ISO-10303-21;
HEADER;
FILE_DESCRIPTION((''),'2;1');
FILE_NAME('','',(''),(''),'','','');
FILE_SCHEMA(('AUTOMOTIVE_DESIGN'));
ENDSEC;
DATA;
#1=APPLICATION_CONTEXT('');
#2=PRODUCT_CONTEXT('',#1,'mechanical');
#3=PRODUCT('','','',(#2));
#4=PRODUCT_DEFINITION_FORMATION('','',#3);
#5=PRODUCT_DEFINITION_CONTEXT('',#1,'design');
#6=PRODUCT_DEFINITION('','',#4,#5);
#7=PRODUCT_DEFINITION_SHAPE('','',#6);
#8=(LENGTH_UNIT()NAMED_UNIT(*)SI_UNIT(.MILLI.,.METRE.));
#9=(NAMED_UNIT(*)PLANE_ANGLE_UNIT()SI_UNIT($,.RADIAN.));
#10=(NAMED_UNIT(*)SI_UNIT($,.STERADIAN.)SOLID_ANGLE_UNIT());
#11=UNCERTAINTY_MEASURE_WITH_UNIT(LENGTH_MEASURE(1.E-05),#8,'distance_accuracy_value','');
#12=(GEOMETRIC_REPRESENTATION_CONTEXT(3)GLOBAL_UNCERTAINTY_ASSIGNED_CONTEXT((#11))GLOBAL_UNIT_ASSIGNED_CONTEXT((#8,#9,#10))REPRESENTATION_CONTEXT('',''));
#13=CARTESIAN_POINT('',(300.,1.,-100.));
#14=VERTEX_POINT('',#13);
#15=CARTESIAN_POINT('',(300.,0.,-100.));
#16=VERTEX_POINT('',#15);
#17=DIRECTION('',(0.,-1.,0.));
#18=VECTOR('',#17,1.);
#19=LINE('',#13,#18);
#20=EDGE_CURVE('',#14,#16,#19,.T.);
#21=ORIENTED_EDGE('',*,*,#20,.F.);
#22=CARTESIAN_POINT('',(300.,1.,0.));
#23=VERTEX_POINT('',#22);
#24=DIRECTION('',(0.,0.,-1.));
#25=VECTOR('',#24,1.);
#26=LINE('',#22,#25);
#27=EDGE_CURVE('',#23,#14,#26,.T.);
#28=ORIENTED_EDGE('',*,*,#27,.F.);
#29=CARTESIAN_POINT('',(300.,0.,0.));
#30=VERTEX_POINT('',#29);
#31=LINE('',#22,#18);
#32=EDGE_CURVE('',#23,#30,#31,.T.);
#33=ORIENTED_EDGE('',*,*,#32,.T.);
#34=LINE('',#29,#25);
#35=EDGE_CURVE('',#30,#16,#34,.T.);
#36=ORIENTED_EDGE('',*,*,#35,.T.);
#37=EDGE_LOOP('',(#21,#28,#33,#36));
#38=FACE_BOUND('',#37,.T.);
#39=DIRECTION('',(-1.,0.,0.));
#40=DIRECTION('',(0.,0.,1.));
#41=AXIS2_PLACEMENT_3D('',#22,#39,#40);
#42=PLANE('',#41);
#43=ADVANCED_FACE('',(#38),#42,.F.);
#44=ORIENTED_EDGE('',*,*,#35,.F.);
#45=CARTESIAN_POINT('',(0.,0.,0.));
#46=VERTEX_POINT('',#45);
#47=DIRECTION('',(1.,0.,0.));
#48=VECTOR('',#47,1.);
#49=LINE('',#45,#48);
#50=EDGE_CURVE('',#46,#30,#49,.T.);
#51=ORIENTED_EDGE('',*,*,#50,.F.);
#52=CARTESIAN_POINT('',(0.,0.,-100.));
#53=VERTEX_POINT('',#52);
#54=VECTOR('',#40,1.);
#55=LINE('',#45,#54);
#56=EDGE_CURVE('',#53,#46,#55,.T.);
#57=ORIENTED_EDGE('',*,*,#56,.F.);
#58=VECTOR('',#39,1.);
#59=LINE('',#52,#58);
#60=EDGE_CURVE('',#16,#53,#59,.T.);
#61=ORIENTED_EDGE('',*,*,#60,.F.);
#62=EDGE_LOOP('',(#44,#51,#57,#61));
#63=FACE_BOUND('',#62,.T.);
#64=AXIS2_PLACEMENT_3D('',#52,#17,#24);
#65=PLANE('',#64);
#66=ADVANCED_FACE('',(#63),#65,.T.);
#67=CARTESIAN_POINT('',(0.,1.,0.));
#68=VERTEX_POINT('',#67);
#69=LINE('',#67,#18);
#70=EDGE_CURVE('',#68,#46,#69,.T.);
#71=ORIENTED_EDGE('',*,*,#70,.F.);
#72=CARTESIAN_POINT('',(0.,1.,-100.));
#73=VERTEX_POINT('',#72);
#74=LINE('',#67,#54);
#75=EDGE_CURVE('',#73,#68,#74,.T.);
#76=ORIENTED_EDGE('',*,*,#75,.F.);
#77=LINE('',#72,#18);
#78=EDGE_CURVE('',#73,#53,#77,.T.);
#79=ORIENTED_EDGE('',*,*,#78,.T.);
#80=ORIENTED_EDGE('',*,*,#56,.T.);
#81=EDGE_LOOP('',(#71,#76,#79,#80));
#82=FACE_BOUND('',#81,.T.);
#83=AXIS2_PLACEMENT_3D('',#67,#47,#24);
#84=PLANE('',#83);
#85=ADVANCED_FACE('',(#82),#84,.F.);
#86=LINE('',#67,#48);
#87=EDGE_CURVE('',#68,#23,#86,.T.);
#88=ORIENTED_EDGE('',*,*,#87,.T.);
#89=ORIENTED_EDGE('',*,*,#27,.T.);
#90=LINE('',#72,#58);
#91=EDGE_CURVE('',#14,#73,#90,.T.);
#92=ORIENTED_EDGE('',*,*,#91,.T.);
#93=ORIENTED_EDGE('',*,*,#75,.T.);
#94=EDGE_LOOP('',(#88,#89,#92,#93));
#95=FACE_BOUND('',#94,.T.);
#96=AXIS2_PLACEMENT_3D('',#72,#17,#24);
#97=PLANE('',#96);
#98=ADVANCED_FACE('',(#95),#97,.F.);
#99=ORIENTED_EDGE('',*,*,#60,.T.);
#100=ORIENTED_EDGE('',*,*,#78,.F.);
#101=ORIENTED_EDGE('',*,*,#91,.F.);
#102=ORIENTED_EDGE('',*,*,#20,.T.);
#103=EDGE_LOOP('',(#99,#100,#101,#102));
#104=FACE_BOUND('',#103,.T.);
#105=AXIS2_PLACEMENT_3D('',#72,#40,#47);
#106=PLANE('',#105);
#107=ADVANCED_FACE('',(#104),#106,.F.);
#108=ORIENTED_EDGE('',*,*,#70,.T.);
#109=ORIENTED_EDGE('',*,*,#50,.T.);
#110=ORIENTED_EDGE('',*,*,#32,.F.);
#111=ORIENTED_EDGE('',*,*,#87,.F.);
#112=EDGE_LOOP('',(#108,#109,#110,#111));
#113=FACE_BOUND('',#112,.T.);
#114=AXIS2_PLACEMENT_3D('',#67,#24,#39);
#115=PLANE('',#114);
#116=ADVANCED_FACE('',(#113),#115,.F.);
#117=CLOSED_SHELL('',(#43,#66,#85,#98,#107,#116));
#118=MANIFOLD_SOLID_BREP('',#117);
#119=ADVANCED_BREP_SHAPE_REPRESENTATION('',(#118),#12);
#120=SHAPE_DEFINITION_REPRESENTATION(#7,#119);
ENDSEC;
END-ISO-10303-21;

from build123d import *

# Parameters (mm, degrees)
SKETCH_1_W      = 300
SKETCH_1_H      = 100
EXTRUDE_1_DEPTH = 1


with BuildPart() as part:
    # ｽｹｯﾁ1 → ﾎﾞｽ - 押し出し1 (new body)
    with BuildSketch(Plane(origin=(0, 0, 0), x_dir=(1, 0, 0), z_dir=(0, 1, 0))):
        with Locations((150, 50)):
            Rectangle(SKETCH_1_W, SKETCH_1_H)
    extrude(amount=EXTRUDE_1_DEPTH)


solid = part.part
